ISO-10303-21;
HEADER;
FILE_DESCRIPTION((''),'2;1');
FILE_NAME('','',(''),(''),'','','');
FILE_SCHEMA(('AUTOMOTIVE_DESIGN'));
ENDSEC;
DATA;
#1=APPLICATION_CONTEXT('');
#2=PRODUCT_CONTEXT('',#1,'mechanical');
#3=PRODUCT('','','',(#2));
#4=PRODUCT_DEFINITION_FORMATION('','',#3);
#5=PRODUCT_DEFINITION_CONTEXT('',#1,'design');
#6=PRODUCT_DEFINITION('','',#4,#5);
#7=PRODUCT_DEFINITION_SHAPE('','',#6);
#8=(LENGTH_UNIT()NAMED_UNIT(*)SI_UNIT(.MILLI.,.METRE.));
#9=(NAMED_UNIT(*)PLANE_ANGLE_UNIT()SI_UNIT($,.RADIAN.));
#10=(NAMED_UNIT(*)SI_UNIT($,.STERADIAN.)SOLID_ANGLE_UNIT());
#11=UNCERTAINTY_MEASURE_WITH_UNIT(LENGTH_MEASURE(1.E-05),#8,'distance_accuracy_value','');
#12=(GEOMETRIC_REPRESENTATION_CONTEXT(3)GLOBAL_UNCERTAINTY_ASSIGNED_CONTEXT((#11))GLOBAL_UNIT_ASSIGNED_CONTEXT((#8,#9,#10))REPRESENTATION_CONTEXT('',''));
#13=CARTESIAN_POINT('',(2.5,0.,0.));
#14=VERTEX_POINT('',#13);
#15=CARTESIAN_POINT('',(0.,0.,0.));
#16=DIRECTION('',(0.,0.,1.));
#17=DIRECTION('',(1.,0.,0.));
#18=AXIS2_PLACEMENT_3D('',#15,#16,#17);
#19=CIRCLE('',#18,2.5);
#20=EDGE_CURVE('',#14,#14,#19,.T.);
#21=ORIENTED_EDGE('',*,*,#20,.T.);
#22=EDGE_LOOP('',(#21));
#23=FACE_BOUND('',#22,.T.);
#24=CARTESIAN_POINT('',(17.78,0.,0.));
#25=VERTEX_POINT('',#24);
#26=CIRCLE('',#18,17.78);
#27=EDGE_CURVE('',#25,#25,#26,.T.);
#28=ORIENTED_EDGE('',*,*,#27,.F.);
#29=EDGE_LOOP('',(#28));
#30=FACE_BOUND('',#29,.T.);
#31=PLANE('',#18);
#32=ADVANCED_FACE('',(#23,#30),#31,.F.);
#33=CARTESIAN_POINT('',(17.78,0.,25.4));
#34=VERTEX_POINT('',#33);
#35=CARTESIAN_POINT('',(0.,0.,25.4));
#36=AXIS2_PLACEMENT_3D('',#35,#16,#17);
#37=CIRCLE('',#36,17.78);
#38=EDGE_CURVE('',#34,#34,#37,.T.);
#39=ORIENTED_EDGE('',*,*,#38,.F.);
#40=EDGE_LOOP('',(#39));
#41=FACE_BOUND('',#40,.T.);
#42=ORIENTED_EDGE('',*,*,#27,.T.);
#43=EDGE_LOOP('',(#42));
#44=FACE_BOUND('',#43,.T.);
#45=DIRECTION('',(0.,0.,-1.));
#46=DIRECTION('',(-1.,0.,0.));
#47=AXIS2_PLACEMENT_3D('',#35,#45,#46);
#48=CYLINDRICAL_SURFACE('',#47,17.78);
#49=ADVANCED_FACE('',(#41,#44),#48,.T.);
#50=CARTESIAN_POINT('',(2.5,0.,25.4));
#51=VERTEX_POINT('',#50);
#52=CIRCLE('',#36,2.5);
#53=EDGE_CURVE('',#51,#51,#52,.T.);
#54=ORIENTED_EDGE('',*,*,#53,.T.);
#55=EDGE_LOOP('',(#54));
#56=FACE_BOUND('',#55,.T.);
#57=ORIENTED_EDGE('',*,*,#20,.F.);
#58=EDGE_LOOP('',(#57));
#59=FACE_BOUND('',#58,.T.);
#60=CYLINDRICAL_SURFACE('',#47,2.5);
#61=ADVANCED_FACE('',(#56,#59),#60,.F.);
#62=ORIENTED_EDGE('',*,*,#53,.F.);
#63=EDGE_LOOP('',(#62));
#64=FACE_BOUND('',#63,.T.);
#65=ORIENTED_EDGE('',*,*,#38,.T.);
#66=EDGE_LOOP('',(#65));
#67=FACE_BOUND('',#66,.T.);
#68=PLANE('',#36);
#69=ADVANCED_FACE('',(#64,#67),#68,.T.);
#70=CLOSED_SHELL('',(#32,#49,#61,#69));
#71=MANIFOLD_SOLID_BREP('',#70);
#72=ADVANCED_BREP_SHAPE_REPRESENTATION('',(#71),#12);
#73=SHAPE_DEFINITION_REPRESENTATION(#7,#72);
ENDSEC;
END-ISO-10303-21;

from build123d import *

# Parameters (mm, degrees)
SKETCH2_R           = 17.78
SKETCH2_R_2         = 2.5
BOSS_EXTRUDE1_DEPTH = 25.4


with BuildPart() as part:
    # Sketch2 → Boss-Extrude1 (new body)
    with BuildSketch(Plane.XY):
        Circle(SKETCH2_R)
        Circle(SKETCH2_R_2, mode=Mode.SUBTRACT)
    extrude(amount=BOSS_EXTRUDE1_DEPTH)


solid = part.part
